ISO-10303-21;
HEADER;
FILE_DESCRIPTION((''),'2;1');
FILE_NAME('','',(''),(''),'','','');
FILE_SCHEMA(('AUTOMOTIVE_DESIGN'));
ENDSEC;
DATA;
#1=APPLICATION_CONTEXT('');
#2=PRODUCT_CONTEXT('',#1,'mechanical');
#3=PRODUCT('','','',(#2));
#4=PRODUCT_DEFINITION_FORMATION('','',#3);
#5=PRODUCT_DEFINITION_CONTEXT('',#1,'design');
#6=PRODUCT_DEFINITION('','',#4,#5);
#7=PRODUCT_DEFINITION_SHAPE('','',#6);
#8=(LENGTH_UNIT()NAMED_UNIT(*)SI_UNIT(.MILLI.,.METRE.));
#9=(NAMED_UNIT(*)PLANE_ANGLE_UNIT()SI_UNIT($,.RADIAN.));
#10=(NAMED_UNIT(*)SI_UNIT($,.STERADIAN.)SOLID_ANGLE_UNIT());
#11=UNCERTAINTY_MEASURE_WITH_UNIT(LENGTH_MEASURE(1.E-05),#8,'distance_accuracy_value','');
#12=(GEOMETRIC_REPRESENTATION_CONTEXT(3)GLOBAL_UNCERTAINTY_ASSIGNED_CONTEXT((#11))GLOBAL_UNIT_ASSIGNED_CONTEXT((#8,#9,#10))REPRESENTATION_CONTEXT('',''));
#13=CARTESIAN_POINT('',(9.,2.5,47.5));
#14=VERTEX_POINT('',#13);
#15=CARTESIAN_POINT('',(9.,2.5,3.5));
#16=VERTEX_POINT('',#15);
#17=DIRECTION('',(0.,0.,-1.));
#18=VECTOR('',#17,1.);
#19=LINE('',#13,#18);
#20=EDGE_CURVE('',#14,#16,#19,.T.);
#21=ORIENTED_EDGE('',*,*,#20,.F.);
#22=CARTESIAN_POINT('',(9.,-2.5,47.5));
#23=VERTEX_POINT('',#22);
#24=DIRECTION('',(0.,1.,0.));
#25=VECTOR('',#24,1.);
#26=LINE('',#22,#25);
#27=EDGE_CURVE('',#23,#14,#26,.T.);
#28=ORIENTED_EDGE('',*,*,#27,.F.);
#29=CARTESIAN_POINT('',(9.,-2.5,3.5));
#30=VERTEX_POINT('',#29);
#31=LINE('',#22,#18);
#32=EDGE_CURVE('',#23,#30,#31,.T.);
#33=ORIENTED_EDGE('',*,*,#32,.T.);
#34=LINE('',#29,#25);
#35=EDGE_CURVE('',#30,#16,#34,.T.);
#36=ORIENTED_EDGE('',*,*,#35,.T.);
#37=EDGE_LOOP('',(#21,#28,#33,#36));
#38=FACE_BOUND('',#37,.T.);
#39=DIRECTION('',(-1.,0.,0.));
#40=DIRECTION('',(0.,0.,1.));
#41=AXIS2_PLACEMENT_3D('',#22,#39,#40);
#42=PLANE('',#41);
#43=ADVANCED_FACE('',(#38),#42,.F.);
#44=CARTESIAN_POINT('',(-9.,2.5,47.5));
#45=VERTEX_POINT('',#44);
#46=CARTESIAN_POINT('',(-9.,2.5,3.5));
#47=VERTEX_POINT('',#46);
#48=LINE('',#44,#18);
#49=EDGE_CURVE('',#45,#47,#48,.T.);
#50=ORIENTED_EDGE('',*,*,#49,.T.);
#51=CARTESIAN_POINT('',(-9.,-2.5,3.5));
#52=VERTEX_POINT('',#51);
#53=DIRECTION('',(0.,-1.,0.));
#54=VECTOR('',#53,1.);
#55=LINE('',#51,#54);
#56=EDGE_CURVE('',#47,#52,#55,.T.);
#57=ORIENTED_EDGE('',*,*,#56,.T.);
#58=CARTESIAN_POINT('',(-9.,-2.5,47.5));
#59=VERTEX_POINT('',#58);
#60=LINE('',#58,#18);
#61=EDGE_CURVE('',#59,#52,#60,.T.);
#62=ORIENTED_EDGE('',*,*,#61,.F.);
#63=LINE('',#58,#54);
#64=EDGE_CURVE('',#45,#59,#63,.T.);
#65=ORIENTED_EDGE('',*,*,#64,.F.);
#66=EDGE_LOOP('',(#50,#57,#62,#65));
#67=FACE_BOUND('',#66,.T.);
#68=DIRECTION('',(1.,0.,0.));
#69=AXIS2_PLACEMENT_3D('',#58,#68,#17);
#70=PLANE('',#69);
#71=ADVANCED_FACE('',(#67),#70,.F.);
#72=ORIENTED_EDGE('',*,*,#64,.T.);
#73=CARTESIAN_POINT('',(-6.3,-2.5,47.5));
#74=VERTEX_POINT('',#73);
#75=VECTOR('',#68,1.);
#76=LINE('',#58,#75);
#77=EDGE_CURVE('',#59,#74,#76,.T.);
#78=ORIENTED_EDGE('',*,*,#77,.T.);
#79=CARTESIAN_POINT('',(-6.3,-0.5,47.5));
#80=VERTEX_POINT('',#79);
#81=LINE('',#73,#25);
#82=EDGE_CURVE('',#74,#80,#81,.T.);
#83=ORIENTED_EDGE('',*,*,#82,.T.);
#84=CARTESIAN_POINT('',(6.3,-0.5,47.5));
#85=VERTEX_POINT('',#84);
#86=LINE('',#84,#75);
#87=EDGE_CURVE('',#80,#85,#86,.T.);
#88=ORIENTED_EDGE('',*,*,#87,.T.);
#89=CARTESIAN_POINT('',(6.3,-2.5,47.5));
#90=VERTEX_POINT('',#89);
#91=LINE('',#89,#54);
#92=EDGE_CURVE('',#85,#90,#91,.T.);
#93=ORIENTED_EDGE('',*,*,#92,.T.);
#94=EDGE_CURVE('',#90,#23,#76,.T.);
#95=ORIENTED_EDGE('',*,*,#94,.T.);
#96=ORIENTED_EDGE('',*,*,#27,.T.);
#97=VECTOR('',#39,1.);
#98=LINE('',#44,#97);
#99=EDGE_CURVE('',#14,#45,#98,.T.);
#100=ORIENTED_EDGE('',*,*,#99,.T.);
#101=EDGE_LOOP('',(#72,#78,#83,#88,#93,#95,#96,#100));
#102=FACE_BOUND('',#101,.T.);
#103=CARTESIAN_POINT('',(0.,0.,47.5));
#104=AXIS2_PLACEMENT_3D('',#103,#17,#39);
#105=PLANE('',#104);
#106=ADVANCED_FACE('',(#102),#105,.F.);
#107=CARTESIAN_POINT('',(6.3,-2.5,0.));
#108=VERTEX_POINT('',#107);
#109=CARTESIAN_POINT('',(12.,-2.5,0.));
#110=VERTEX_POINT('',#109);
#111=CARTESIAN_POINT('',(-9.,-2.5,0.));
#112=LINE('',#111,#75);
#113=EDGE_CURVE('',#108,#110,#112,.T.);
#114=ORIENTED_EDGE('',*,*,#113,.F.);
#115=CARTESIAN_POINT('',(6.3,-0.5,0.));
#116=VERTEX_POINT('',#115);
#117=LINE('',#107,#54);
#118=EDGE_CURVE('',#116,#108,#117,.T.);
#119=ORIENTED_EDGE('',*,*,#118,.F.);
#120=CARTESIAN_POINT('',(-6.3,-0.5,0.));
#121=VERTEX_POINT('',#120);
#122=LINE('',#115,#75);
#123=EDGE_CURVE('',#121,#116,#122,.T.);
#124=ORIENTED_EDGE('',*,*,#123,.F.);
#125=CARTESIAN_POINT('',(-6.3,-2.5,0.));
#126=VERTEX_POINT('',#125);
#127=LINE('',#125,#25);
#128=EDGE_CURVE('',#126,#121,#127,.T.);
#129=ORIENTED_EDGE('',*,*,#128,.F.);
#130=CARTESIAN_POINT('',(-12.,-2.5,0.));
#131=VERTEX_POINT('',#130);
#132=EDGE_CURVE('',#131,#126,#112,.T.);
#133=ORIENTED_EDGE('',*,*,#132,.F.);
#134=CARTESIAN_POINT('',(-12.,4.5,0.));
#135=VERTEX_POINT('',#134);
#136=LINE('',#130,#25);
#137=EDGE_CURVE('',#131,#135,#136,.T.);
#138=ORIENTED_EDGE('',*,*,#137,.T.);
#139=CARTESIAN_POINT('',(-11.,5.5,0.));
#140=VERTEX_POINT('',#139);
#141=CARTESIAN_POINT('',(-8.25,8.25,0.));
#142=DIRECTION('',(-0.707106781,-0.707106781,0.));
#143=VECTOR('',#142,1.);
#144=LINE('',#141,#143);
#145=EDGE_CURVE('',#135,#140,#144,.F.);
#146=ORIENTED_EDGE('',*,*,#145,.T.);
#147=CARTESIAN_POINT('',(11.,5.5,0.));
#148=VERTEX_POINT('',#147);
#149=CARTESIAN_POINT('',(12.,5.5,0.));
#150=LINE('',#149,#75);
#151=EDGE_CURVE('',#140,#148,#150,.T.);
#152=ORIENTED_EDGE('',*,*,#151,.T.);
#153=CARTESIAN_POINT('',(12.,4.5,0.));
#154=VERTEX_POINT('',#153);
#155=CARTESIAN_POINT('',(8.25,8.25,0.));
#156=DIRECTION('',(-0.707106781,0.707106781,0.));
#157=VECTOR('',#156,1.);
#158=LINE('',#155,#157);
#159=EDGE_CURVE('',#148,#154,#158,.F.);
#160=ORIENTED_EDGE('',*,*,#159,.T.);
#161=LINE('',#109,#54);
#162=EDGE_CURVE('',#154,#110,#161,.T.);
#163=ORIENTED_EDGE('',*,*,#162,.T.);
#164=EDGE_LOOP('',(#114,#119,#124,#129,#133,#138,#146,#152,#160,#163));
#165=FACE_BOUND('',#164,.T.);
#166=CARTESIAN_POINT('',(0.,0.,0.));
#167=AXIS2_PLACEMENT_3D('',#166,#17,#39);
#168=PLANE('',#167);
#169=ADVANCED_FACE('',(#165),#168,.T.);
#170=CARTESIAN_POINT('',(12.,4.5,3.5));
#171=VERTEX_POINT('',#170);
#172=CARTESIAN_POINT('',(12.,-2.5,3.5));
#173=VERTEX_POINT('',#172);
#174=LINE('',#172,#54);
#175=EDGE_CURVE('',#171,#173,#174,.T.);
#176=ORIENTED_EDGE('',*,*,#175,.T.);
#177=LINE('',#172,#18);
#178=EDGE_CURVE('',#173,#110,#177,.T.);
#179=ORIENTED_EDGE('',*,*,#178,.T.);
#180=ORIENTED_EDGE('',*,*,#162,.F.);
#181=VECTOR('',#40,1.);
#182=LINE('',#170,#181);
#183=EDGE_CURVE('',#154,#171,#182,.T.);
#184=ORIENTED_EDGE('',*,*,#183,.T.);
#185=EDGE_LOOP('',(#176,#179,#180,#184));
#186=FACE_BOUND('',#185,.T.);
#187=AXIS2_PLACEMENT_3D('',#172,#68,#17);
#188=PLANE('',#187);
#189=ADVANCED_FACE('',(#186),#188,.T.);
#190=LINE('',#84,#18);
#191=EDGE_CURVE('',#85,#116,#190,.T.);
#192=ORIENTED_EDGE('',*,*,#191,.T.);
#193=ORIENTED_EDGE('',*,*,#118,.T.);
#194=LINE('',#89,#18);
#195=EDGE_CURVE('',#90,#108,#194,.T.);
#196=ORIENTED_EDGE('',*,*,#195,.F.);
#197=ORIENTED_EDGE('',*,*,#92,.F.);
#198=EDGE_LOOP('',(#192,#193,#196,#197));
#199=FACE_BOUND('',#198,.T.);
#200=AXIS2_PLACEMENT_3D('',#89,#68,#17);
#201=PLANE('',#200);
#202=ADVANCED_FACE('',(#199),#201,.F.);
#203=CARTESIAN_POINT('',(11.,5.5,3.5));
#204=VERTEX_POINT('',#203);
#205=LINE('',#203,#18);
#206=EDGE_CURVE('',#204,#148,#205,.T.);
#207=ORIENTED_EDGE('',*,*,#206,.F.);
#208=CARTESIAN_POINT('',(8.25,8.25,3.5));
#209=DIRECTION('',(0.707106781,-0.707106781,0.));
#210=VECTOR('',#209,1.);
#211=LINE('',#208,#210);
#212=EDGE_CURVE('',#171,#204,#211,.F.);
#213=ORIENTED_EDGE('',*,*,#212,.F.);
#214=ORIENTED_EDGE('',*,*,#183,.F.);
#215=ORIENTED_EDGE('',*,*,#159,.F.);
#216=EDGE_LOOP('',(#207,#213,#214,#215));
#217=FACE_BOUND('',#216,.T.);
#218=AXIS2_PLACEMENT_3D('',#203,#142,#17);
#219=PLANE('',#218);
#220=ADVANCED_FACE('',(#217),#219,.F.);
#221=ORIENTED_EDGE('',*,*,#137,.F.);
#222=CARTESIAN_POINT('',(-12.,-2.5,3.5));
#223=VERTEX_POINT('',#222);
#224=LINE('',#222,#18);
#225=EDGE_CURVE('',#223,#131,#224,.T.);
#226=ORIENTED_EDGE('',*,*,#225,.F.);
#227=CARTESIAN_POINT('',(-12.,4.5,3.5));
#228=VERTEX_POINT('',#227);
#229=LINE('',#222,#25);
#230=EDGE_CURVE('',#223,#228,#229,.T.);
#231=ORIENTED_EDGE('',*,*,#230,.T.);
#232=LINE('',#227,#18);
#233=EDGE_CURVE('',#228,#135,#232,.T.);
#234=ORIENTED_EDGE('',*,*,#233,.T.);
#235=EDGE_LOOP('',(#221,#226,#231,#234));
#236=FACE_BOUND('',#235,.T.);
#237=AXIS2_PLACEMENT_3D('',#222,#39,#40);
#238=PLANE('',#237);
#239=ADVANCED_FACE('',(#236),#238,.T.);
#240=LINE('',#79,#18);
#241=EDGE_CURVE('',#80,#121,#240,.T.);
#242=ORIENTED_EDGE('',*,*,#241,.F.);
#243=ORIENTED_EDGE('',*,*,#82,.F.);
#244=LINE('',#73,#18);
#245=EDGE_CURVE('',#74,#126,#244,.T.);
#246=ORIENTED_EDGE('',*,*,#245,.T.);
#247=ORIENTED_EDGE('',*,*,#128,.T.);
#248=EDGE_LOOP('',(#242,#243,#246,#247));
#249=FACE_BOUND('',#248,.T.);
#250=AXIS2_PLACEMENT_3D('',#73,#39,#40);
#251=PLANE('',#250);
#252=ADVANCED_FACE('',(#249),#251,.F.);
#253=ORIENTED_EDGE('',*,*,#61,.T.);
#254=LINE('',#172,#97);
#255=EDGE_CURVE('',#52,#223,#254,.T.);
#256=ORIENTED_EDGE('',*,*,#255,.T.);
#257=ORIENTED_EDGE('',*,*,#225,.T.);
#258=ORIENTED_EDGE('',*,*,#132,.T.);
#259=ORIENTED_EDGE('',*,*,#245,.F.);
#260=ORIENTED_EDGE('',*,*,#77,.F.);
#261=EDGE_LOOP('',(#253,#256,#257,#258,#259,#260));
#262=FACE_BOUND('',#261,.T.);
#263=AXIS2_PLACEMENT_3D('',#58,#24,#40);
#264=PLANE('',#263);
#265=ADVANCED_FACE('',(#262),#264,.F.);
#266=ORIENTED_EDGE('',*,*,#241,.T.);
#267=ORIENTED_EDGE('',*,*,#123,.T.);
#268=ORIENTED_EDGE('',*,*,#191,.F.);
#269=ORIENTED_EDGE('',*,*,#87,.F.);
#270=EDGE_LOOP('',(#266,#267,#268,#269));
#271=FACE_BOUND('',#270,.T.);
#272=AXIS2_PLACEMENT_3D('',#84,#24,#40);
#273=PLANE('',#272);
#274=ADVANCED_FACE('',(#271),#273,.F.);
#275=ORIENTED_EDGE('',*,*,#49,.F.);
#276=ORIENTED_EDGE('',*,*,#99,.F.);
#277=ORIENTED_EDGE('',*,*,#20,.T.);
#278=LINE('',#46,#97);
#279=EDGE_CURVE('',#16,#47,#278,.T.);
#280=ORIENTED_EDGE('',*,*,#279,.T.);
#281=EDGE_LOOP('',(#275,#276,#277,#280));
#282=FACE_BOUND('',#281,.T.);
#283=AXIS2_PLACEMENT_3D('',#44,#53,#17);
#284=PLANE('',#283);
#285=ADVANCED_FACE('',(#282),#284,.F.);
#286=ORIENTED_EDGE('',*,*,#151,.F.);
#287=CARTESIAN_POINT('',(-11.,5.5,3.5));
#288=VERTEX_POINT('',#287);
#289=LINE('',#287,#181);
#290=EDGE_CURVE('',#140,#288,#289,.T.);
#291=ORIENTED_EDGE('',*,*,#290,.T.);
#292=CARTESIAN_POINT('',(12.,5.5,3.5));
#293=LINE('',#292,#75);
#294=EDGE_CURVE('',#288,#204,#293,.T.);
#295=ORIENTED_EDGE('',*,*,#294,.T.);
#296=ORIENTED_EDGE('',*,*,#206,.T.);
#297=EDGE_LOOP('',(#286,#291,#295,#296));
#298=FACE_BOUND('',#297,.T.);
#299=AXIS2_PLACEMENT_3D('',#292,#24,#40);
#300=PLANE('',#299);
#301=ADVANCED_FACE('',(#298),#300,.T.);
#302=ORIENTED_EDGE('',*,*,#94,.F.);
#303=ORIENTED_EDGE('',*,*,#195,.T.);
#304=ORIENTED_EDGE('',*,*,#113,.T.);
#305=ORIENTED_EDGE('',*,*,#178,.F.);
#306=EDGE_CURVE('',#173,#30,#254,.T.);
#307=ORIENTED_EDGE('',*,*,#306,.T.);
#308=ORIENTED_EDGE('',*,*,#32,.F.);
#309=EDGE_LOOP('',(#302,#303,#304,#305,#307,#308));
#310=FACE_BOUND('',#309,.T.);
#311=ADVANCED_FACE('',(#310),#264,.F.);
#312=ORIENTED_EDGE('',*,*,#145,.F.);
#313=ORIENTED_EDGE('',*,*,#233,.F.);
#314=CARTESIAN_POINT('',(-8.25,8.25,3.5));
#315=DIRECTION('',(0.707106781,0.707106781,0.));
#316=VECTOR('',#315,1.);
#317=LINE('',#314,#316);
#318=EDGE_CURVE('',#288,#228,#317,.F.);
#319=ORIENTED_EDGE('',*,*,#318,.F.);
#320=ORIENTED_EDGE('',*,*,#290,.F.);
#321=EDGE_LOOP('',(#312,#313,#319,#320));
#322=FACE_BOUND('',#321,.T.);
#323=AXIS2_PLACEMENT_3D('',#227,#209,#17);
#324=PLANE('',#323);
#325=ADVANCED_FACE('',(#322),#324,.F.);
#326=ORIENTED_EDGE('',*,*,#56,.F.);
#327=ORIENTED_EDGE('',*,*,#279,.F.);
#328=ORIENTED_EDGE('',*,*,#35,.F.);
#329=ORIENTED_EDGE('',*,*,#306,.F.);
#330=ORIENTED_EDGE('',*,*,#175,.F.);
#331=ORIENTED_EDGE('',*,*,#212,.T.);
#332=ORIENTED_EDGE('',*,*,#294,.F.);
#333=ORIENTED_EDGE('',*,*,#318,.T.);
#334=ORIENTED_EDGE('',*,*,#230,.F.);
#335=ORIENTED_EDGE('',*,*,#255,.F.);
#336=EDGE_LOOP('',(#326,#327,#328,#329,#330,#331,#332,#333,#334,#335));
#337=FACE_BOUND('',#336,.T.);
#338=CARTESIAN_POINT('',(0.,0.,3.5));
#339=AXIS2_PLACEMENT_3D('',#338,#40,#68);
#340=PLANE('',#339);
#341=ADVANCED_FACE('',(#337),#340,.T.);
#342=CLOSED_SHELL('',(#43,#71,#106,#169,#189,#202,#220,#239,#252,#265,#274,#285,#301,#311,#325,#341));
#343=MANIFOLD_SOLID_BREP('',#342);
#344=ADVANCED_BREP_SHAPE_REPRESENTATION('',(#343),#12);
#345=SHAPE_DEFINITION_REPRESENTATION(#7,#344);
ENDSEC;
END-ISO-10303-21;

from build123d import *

# Parameters (mm, degrees)
SKETCH_1_W          = 18
SKETCH_1_H          = 5
EXTRUDE_1_DEPTH     = 47.5
SKETCH_2_W          = 24
SKETCH_2_H          = 8
EXTRUDE_2_DEPTH     = 3.5
SKETCH_3_W          = 12.6
SKETCH_3_H          = 2
CUT_EXTRUDE_1_DEPTH = 50.30010142
CHAMFER_1_SIZE      = 1


with BuildPart() as part:
    # 草图1 → 凸台-拉伸1 (new body)
    with BuildSketch(Plane.XY):
        Rectangle(SKETCH_1_W, SKETCH_1_H)
    extrude(amount=EXTRUDE_1_DEPTH)

    # 草图2 → 凸台-拉伸2 (add)
    with BuildSketch(Plane(origin=(0, 0, 0), x_dir=(-1, 0, 0), z_dir=(0, 0, -1))):
        with Locations((0, 1.5)):
            Rectangle(SKETCH_2_W, SKETCH_2_H)
    extrude(amount=-EXTRUDE_2_DEPTH)

    # 草图3 → 切除-拉伸1 (cut, through all)
    with BuildSketch(Plane(origin=(0, 0, 0), x_dir=(-1, 0, 0), z_dir=(0, 0, -1))):
        with Locations((0, -1.5)):
            Rectangle(SKETCH_3_W, SKETCH_3_H)
    extrude(amount=-CUT_EXTRUDE_1_DEPTH, mode=Mode.SUBTRACT)

    # 倒角1
    chamfer_1_edges = [part.edges().sort_by_distance(p)[0] for p in [
        (12, 5.5, 1.75),
        (-12, 5.5, 1.75),
    ]]
    chamfer(chamfer_1_edges, length=CHAMFER_1_SIZE)


solid = part.part
